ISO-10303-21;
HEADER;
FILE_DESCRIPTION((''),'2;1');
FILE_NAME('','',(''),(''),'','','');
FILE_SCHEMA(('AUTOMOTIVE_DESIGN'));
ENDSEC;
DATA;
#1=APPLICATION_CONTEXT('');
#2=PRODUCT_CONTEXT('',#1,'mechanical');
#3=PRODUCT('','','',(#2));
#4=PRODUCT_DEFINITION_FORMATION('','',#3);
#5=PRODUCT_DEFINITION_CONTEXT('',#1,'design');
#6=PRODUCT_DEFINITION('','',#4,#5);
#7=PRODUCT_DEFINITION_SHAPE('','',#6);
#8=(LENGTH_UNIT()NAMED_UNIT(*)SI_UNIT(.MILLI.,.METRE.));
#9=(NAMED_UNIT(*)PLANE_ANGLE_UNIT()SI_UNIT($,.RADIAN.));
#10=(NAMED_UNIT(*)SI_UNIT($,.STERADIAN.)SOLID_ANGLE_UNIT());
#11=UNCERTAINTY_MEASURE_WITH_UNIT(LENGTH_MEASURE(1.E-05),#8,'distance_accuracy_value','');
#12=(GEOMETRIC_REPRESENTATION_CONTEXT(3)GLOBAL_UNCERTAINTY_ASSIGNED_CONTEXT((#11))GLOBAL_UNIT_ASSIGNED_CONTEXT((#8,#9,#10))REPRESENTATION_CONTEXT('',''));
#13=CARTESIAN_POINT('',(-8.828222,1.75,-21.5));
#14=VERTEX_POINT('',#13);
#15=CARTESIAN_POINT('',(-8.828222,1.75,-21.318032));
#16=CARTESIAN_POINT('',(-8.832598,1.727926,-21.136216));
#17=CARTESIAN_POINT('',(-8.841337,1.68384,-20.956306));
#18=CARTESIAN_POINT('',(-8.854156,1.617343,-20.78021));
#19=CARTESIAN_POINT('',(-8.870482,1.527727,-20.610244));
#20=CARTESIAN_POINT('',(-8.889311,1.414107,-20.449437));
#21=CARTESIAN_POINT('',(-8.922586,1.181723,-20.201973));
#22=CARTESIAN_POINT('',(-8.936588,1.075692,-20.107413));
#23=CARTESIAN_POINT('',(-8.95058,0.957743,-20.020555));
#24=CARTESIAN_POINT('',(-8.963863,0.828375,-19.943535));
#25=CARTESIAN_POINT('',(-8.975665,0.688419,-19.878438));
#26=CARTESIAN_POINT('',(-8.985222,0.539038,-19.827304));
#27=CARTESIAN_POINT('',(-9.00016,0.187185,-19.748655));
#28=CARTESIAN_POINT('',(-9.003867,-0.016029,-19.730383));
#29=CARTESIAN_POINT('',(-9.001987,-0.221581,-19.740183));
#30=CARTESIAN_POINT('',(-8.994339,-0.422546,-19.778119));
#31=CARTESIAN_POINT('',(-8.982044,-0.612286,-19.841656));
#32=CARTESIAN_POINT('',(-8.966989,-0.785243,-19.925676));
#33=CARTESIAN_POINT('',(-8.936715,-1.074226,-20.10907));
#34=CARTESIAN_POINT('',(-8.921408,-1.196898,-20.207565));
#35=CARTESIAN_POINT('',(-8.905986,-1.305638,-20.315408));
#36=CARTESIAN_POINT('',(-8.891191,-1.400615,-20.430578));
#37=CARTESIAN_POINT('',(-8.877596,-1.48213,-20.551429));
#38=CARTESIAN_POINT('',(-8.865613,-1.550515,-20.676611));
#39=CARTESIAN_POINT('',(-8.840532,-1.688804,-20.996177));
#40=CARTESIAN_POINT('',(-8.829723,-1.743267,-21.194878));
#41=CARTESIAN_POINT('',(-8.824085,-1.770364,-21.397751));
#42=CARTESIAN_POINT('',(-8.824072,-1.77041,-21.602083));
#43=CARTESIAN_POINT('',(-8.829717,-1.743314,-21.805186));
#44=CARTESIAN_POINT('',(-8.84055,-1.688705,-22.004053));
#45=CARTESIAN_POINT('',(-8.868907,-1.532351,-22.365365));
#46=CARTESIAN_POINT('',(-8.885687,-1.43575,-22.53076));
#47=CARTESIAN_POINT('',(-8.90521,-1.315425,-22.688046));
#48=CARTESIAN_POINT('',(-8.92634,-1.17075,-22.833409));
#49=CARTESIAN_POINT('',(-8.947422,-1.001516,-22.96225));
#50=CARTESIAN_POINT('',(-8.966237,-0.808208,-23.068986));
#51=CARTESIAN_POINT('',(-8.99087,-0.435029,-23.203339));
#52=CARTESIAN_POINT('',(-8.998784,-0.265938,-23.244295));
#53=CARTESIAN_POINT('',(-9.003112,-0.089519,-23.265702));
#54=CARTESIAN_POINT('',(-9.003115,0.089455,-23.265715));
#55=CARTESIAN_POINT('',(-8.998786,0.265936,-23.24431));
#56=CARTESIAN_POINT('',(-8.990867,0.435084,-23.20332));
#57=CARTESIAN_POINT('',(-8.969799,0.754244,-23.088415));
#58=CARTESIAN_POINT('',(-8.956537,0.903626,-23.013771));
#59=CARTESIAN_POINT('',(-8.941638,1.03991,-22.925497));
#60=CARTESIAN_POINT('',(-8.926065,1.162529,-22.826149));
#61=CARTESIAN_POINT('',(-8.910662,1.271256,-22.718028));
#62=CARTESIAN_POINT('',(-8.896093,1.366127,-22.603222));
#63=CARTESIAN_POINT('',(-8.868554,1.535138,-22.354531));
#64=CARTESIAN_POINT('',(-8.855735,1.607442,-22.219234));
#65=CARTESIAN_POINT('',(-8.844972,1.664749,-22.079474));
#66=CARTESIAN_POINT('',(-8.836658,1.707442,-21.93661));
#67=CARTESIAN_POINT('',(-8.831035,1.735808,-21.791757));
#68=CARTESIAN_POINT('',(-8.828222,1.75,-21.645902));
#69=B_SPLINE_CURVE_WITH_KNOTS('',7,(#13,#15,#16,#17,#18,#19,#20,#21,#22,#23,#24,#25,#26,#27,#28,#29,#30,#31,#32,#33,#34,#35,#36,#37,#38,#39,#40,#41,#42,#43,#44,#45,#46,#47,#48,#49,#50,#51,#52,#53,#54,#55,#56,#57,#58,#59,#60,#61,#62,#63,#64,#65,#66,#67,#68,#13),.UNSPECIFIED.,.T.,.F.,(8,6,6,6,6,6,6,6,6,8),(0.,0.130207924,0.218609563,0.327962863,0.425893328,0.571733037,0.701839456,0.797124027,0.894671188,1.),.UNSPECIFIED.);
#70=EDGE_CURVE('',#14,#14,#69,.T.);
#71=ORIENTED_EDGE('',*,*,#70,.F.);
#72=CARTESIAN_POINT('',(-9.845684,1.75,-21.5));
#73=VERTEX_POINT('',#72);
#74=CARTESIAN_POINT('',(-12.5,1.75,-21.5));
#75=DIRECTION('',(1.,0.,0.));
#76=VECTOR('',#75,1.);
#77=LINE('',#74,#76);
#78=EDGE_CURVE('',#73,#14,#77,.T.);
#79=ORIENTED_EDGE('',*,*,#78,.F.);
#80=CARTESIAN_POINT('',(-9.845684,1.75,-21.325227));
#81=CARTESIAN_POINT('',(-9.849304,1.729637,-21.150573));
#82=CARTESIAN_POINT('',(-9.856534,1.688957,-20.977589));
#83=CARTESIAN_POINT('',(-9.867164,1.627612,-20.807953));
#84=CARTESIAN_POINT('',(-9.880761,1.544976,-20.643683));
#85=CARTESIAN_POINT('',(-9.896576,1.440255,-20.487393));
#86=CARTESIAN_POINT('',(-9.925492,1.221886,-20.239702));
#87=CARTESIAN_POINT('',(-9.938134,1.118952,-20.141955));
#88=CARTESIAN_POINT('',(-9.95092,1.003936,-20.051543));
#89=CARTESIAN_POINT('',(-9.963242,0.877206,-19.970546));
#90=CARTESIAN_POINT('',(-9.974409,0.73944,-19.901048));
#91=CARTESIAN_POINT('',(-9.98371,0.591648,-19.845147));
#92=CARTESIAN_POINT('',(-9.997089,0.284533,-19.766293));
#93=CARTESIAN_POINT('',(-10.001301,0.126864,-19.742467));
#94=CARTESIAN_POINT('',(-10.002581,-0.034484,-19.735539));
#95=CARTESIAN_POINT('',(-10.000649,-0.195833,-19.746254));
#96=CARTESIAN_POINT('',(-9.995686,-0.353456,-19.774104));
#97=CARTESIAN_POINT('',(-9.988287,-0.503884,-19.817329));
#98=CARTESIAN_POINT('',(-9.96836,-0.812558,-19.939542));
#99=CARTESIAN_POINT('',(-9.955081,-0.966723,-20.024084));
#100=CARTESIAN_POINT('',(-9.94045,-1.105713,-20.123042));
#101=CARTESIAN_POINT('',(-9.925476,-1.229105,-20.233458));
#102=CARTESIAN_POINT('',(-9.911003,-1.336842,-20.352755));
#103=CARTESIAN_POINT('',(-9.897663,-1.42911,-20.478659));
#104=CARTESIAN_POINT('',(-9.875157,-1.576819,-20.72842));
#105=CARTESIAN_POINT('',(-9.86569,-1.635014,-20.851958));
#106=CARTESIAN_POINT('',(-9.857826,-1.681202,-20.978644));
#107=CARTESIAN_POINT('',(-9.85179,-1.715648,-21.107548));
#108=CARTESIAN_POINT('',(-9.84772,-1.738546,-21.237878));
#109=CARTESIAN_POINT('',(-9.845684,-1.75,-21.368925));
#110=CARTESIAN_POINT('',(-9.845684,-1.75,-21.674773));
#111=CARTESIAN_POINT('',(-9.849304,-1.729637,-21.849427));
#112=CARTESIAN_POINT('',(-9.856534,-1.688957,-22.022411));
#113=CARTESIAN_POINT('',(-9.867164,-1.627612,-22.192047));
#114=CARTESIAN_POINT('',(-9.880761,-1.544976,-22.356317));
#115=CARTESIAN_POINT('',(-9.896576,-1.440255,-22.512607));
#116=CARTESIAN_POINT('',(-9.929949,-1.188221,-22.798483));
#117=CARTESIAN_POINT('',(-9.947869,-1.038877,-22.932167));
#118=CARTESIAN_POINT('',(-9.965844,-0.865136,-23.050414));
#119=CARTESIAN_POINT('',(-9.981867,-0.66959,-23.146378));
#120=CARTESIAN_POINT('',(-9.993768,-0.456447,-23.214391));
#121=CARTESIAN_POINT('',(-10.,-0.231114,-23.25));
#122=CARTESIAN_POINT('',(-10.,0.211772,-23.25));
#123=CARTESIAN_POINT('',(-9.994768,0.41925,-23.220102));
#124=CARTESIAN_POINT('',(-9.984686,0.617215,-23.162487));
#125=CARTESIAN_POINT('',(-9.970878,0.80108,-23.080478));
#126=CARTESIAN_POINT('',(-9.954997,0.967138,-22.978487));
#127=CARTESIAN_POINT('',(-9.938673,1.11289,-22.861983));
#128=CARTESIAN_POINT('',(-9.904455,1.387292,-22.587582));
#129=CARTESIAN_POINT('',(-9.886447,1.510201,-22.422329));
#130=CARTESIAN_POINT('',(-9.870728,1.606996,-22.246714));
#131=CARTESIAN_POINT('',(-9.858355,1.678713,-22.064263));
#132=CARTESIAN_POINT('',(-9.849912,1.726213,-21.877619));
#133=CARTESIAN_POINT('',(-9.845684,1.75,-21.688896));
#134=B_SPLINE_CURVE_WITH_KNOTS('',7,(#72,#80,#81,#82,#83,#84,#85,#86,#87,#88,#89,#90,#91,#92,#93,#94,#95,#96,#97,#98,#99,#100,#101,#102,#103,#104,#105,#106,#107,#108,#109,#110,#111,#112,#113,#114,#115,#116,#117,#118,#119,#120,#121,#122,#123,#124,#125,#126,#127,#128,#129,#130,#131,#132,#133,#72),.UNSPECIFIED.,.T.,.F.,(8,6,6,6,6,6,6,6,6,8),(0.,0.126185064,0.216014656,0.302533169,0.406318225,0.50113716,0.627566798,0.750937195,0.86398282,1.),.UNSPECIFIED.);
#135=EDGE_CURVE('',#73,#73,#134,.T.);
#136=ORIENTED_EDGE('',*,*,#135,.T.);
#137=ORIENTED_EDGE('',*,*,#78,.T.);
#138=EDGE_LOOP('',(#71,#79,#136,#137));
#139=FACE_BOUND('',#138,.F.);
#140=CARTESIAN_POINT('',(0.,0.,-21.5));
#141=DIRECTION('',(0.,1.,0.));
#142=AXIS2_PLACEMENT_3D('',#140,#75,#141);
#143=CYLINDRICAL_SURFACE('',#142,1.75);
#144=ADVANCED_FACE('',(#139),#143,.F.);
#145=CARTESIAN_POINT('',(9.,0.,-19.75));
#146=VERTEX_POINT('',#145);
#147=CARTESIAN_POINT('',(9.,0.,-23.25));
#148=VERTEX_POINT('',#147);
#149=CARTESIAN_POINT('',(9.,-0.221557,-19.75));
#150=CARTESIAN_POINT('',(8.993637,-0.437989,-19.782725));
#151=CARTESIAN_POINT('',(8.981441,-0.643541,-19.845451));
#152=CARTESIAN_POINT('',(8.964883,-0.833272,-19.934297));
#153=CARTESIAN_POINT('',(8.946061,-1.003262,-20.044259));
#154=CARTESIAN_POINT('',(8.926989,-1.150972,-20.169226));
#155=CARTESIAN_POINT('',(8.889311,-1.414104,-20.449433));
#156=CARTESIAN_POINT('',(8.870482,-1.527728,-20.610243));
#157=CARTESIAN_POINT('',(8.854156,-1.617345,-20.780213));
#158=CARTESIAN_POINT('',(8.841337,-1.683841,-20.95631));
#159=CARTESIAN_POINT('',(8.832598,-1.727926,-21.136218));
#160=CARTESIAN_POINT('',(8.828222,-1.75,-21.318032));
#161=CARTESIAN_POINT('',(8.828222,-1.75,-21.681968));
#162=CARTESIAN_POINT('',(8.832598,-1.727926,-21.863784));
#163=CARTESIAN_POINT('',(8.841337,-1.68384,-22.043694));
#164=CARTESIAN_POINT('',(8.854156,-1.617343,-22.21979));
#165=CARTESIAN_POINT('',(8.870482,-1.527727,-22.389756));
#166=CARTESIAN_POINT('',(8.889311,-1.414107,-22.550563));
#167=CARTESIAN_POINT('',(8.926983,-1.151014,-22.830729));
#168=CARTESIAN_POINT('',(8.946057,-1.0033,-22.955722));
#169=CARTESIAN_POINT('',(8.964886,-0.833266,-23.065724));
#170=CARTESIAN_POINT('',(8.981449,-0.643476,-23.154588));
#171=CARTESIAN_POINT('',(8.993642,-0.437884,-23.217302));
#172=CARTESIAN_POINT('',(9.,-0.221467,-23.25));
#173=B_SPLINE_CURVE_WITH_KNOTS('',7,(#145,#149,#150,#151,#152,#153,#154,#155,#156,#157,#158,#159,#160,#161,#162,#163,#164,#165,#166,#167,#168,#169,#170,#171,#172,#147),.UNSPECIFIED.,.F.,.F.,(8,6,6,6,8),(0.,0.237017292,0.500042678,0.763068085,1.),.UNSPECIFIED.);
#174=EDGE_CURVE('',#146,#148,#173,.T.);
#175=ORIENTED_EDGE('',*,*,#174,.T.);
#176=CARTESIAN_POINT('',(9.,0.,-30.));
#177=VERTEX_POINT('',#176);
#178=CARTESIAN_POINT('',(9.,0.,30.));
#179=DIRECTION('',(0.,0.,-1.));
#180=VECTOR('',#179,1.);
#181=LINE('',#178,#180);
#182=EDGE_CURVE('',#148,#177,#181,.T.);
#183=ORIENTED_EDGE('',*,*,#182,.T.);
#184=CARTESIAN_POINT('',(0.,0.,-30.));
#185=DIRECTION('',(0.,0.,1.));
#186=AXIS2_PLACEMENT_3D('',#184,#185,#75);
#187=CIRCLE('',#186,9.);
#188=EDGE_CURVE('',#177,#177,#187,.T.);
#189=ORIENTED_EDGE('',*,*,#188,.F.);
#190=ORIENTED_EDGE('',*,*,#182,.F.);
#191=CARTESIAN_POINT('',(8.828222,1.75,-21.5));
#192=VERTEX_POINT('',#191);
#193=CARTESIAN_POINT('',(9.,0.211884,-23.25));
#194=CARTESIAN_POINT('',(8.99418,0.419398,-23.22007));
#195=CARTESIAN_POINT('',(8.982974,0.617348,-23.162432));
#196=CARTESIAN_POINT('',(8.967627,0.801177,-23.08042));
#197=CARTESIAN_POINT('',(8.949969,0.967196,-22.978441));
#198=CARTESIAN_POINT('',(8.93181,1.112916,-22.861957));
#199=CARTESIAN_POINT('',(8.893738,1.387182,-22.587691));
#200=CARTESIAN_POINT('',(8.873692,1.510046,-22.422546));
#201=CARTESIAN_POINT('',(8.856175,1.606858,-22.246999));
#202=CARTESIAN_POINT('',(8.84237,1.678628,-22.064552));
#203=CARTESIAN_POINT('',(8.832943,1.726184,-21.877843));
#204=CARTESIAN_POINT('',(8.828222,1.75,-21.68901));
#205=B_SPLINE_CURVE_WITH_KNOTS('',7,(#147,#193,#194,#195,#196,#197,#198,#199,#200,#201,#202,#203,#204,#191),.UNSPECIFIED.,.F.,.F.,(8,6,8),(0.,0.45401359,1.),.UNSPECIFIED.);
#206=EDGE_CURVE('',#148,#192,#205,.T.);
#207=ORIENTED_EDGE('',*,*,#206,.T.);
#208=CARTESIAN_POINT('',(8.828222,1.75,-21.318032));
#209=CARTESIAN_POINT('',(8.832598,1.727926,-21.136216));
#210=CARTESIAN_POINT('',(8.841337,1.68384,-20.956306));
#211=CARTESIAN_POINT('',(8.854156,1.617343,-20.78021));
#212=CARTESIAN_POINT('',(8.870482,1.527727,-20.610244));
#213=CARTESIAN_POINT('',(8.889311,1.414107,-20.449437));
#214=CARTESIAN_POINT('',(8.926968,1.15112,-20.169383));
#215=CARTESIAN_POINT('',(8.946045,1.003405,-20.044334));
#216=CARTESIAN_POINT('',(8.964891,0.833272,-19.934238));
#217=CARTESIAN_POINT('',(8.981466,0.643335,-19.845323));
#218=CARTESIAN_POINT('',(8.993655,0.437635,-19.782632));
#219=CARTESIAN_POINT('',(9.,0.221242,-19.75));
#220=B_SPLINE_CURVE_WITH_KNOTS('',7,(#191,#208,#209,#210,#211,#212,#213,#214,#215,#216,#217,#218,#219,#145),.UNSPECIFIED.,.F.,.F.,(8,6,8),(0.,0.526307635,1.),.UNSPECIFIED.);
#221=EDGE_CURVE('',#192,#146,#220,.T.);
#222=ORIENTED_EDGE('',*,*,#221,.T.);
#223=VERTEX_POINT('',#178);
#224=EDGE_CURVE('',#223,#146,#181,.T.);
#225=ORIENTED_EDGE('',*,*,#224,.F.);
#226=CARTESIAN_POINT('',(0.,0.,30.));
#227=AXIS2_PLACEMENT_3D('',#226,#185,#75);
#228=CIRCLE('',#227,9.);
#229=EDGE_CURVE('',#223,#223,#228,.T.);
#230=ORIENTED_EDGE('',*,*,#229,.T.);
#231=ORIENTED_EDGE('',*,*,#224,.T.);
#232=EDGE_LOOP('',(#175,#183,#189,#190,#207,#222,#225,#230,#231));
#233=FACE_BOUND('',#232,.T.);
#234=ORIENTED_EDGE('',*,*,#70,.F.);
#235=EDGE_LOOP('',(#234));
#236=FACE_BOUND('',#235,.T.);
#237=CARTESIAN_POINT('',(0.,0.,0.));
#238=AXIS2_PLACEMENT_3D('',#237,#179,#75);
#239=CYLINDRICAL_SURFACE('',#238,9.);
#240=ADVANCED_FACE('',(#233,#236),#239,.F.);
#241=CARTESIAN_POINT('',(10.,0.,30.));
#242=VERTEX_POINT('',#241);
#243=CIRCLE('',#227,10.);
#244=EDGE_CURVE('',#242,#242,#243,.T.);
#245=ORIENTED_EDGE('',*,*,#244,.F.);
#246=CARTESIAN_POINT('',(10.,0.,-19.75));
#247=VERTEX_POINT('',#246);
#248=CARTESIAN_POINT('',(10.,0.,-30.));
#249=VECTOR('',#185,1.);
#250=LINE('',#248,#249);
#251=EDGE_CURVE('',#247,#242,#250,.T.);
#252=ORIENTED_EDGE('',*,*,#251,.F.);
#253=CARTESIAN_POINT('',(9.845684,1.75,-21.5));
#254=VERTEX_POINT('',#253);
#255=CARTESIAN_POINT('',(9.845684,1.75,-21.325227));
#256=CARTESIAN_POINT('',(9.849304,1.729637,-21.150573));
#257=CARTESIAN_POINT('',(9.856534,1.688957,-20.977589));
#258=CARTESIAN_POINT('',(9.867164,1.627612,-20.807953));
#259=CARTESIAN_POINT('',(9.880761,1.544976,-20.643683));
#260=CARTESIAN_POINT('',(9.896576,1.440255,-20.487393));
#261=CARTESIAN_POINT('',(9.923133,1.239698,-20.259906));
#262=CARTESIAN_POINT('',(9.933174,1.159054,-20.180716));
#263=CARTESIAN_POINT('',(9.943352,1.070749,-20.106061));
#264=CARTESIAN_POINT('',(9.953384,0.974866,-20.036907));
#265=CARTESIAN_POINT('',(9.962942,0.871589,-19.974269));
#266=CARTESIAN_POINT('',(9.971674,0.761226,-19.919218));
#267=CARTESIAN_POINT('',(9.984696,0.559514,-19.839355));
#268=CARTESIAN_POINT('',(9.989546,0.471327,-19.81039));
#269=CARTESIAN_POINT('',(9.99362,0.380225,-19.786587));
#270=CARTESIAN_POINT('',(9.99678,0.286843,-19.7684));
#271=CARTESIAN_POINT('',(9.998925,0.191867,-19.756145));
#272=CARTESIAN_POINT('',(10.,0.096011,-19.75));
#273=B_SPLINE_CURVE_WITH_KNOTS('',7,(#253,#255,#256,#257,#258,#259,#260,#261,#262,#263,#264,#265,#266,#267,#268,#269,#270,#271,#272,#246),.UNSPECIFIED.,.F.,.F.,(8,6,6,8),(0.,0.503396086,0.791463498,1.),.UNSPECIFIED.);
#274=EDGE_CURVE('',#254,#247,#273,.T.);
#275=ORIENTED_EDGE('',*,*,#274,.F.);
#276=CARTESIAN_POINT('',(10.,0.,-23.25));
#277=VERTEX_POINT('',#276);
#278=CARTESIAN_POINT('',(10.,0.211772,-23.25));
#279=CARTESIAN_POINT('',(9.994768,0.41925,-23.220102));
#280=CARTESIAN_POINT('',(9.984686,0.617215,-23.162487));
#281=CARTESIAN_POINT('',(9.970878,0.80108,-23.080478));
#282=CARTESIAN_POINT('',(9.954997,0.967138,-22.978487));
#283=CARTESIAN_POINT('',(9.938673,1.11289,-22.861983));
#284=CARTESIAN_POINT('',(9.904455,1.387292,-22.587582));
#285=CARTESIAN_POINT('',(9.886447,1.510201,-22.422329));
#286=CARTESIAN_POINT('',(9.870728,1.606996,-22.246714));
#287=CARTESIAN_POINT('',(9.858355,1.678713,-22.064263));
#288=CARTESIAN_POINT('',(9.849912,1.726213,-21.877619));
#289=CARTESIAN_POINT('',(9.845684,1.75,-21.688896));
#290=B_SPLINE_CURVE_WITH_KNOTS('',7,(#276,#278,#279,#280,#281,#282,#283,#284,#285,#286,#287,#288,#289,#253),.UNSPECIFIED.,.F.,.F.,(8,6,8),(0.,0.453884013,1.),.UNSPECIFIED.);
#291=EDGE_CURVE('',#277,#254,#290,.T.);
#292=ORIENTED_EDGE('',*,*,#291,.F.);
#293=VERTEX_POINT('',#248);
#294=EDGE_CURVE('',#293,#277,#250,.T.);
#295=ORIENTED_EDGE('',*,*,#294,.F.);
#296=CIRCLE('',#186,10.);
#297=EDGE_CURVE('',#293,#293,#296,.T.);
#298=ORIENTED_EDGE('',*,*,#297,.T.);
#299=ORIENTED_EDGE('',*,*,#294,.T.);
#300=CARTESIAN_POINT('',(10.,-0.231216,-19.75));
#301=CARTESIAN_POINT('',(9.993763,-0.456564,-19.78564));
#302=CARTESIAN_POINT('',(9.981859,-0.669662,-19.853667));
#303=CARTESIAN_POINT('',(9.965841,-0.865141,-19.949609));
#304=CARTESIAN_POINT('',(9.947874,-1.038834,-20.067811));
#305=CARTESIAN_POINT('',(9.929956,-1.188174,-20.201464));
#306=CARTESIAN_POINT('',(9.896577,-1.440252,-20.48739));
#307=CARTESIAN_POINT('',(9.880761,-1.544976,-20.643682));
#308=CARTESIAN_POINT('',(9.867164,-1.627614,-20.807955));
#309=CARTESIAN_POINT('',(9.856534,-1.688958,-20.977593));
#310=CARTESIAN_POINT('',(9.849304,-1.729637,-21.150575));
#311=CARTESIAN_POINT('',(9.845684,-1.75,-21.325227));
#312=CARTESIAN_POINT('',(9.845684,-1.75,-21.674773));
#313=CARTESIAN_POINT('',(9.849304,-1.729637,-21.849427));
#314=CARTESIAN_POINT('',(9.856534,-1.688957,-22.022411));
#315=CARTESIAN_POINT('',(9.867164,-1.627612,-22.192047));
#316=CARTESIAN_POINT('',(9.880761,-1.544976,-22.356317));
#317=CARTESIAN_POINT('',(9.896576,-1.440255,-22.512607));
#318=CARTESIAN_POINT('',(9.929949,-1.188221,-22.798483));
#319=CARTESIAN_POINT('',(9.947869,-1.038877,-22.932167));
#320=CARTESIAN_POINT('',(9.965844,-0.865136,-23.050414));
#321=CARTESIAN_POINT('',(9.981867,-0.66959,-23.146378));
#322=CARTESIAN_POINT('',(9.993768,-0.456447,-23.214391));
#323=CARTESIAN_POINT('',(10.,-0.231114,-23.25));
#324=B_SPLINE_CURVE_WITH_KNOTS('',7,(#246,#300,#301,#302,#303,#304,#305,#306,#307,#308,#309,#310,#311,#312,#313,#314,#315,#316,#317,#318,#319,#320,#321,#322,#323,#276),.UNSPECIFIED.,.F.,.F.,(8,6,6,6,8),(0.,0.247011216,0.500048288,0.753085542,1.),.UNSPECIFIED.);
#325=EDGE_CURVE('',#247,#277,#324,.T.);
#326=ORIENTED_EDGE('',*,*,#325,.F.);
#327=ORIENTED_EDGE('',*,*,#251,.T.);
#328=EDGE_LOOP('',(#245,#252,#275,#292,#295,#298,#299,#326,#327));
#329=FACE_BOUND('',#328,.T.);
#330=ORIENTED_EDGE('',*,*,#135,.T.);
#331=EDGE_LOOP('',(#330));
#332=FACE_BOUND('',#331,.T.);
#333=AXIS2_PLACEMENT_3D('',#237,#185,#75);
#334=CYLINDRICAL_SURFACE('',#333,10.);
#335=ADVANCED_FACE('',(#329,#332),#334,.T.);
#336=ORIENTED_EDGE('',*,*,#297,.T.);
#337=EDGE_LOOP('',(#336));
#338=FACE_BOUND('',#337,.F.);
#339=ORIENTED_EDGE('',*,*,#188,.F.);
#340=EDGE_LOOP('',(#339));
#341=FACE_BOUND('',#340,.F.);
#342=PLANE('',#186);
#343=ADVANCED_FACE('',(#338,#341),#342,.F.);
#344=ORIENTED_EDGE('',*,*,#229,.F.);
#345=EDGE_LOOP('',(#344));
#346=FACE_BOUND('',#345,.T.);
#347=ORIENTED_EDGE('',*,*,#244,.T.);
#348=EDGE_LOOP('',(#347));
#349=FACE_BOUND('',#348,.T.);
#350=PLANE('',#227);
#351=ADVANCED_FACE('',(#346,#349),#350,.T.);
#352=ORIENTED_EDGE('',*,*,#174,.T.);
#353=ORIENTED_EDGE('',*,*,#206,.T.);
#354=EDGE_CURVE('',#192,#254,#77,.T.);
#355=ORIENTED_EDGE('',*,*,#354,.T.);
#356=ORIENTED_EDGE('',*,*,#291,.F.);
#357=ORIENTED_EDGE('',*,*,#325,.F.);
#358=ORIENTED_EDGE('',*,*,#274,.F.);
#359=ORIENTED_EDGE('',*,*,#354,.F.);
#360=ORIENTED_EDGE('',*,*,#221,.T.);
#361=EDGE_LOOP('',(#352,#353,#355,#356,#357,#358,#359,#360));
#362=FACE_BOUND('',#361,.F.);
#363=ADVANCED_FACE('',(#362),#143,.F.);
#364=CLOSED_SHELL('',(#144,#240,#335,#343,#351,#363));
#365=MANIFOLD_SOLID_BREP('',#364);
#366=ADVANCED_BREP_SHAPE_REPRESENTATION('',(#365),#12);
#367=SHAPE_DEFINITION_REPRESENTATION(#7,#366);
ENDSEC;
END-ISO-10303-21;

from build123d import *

# Parameters (mm, degrees)
F0_R     = 10
F0_R_2   = 9
F1_DEPTH = 30
F2_R     = 1.75
F3_DEPTH = 12.5


with BuildPart() as f1:
    # F0 (on Top) → F1 (new body, symmetric)
    with BuildSketch(Plane.XY):
        Circle(F0_R)
        Circle(F0_R_2, mode=Mode.SUBTRACT)
    extrude(amount=F1_DEPTH, both=True)

    # F2 (on Right) → F3 (cut, symmetric)
    with BuildSketch(Plane.YZ):
        with Locations((0, -21.5)):
            Circle(F2_R)
    extrude(amount=F3_DEPTH, both=True, mode=Mode.SUBTRACT)


solid = f1.part
